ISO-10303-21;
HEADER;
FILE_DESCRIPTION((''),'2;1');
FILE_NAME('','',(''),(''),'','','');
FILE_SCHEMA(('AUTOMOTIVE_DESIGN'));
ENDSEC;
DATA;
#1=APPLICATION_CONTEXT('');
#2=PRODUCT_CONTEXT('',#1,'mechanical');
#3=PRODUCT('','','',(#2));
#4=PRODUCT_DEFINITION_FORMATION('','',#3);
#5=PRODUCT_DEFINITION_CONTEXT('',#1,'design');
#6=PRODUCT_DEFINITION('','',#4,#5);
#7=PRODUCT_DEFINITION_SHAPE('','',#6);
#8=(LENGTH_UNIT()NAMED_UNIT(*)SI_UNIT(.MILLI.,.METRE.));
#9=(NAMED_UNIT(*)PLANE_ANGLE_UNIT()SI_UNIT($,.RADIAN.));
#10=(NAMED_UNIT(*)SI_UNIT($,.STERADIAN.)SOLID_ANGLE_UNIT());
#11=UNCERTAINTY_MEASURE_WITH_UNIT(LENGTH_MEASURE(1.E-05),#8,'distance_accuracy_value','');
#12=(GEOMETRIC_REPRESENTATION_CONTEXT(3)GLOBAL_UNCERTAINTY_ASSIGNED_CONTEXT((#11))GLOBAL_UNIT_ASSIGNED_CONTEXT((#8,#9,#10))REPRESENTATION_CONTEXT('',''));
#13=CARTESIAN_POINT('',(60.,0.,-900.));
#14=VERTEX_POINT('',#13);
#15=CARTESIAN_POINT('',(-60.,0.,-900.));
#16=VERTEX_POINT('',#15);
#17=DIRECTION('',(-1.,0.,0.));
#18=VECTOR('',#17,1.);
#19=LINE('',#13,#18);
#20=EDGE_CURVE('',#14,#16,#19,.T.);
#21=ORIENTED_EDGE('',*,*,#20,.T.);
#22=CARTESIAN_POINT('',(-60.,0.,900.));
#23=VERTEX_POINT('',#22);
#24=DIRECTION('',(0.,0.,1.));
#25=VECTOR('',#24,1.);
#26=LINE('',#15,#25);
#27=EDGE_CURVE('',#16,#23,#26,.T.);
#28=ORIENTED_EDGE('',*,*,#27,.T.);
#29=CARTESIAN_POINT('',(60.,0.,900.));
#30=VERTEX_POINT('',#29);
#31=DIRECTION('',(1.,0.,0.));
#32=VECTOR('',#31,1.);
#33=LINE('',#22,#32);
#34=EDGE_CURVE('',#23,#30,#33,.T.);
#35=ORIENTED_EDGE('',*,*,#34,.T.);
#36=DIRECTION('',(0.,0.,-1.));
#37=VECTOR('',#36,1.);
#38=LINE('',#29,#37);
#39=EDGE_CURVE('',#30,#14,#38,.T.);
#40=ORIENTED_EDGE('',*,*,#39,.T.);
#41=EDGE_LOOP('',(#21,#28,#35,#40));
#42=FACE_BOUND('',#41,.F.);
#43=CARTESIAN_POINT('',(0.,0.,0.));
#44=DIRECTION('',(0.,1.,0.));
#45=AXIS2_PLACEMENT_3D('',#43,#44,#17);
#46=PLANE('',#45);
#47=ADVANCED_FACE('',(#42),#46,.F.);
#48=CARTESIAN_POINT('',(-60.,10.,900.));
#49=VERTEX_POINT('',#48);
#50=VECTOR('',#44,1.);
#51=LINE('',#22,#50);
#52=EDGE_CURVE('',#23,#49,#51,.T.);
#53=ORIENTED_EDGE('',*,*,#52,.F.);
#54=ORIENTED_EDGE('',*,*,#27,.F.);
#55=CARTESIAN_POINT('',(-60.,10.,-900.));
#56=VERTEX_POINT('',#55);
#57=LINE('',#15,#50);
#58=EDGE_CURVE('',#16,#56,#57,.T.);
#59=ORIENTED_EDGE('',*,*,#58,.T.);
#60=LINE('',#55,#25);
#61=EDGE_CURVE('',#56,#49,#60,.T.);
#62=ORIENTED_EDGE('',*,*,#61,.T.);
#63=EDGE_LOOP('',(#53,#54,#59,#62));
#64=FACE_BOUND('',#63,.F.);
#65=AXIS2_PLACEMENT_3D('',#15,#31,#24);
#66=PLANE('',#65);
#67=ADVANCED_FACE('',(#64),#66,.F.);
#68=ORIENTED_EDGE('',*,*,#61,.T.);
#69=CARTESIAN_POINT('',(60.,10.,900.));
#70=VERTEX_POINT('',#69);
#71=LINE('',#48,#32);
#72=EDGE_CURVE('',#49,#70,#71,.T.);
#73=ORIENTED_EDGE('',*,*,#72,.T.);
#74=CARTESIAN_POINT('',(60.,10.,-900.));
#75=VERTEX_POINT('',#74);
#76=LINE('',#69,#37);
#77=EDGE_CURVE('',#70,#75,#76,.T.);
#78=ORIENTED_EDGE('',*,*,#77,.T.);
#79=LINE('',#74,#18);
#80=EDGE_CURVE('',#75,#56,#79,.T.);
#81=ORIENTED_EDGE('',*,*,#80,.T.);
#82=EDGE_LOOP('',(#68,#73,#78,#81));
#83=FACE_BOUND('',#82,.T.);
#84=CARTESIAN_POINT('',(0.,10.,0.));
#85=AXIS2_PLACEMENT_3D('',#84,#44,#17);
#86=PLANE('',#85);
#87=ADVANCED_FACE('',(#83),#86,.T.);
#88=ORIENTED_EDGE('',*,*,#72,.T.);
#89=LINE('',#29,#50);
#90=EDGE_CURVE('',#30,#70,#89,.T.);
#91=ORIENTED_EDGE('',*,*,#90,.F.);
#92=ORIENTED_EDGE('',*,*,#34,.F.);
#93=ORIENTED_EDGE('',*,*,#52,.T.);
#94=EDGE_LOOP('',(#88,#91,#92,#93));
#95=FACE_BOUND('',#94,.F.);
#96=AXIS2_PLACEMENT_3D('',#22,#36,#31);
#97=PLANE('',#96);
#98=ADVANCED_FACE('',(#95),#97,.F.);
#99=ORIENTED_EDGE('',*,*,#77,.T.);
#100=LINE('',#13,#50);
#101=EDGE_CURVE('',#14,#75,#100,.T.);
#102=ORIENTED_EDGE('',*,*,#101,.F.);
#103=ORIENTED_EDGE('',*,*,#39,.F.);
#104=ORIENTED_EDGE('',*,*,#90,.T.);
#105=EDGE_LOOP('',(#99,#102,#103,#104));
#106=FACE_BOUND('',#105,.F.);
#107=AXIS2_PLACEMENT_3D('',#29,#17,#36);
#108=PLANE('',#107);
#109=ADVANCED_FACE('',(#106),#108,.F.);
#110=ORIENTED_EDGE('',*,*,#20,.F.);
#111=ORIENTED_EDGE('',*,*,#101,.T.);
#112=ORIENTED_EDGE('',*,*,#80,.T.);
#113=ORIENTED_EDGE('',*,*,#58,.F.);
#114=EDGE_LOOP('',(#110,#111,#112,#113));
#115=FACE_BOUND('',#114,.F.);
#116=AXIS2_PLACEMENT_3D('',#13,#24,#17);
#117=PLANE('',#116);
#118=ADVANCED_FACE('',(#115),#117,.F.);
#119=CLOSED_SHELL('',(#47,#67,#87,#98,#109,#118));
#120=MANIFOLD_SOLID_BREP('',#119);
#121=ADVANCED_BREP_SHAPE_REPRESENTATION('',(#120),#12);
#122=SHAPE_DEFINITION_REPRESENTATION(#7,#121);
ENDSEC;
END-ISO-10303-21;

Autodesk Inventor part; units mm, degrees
ref_plane "YZ Plane" through (0, 0, 0) normal (1, 0, 0) x (0, 1, 0)
ref_plane "XZ Plane" through (0, 0, 0) normal (0, 1, 0) x (-1, 0, 0)
ref_plane "XY Plane" through (0, 0, 0) normal (0, 0, 1) x (1, 0, 0)
sketch "Эскиз1" plane through (0, 0, 0) normal (0, 1, 0) x (-1, 0, 0)
  line L0 (-60, -900) -> (60, -900)
  line L1 (60, -900) -> (60, 900)
  line L2 (60, 900) -> (-60, 900)
  line L3 (-60, 900) -> (-60, -900)
  line L4 (-60, -900) -> (60, 900) construction
  line L5 (60, -900) -> (-60, 900) construction
  point P0 (0, 0)
  dimension "d0" = 120
  dimension "d1" = 1800
extrude "Пластина1" add sketch "Эскиз1" along normal blind 10
equation "\"d2\" = Толщина"
equation "\"Глубина_просечки\" = 0.5 * Толщина"
equation "\"Толщина\" = 10"
properties part number "Lift.03.01.00.03" material "Сталь нержавеющая, 440C"
